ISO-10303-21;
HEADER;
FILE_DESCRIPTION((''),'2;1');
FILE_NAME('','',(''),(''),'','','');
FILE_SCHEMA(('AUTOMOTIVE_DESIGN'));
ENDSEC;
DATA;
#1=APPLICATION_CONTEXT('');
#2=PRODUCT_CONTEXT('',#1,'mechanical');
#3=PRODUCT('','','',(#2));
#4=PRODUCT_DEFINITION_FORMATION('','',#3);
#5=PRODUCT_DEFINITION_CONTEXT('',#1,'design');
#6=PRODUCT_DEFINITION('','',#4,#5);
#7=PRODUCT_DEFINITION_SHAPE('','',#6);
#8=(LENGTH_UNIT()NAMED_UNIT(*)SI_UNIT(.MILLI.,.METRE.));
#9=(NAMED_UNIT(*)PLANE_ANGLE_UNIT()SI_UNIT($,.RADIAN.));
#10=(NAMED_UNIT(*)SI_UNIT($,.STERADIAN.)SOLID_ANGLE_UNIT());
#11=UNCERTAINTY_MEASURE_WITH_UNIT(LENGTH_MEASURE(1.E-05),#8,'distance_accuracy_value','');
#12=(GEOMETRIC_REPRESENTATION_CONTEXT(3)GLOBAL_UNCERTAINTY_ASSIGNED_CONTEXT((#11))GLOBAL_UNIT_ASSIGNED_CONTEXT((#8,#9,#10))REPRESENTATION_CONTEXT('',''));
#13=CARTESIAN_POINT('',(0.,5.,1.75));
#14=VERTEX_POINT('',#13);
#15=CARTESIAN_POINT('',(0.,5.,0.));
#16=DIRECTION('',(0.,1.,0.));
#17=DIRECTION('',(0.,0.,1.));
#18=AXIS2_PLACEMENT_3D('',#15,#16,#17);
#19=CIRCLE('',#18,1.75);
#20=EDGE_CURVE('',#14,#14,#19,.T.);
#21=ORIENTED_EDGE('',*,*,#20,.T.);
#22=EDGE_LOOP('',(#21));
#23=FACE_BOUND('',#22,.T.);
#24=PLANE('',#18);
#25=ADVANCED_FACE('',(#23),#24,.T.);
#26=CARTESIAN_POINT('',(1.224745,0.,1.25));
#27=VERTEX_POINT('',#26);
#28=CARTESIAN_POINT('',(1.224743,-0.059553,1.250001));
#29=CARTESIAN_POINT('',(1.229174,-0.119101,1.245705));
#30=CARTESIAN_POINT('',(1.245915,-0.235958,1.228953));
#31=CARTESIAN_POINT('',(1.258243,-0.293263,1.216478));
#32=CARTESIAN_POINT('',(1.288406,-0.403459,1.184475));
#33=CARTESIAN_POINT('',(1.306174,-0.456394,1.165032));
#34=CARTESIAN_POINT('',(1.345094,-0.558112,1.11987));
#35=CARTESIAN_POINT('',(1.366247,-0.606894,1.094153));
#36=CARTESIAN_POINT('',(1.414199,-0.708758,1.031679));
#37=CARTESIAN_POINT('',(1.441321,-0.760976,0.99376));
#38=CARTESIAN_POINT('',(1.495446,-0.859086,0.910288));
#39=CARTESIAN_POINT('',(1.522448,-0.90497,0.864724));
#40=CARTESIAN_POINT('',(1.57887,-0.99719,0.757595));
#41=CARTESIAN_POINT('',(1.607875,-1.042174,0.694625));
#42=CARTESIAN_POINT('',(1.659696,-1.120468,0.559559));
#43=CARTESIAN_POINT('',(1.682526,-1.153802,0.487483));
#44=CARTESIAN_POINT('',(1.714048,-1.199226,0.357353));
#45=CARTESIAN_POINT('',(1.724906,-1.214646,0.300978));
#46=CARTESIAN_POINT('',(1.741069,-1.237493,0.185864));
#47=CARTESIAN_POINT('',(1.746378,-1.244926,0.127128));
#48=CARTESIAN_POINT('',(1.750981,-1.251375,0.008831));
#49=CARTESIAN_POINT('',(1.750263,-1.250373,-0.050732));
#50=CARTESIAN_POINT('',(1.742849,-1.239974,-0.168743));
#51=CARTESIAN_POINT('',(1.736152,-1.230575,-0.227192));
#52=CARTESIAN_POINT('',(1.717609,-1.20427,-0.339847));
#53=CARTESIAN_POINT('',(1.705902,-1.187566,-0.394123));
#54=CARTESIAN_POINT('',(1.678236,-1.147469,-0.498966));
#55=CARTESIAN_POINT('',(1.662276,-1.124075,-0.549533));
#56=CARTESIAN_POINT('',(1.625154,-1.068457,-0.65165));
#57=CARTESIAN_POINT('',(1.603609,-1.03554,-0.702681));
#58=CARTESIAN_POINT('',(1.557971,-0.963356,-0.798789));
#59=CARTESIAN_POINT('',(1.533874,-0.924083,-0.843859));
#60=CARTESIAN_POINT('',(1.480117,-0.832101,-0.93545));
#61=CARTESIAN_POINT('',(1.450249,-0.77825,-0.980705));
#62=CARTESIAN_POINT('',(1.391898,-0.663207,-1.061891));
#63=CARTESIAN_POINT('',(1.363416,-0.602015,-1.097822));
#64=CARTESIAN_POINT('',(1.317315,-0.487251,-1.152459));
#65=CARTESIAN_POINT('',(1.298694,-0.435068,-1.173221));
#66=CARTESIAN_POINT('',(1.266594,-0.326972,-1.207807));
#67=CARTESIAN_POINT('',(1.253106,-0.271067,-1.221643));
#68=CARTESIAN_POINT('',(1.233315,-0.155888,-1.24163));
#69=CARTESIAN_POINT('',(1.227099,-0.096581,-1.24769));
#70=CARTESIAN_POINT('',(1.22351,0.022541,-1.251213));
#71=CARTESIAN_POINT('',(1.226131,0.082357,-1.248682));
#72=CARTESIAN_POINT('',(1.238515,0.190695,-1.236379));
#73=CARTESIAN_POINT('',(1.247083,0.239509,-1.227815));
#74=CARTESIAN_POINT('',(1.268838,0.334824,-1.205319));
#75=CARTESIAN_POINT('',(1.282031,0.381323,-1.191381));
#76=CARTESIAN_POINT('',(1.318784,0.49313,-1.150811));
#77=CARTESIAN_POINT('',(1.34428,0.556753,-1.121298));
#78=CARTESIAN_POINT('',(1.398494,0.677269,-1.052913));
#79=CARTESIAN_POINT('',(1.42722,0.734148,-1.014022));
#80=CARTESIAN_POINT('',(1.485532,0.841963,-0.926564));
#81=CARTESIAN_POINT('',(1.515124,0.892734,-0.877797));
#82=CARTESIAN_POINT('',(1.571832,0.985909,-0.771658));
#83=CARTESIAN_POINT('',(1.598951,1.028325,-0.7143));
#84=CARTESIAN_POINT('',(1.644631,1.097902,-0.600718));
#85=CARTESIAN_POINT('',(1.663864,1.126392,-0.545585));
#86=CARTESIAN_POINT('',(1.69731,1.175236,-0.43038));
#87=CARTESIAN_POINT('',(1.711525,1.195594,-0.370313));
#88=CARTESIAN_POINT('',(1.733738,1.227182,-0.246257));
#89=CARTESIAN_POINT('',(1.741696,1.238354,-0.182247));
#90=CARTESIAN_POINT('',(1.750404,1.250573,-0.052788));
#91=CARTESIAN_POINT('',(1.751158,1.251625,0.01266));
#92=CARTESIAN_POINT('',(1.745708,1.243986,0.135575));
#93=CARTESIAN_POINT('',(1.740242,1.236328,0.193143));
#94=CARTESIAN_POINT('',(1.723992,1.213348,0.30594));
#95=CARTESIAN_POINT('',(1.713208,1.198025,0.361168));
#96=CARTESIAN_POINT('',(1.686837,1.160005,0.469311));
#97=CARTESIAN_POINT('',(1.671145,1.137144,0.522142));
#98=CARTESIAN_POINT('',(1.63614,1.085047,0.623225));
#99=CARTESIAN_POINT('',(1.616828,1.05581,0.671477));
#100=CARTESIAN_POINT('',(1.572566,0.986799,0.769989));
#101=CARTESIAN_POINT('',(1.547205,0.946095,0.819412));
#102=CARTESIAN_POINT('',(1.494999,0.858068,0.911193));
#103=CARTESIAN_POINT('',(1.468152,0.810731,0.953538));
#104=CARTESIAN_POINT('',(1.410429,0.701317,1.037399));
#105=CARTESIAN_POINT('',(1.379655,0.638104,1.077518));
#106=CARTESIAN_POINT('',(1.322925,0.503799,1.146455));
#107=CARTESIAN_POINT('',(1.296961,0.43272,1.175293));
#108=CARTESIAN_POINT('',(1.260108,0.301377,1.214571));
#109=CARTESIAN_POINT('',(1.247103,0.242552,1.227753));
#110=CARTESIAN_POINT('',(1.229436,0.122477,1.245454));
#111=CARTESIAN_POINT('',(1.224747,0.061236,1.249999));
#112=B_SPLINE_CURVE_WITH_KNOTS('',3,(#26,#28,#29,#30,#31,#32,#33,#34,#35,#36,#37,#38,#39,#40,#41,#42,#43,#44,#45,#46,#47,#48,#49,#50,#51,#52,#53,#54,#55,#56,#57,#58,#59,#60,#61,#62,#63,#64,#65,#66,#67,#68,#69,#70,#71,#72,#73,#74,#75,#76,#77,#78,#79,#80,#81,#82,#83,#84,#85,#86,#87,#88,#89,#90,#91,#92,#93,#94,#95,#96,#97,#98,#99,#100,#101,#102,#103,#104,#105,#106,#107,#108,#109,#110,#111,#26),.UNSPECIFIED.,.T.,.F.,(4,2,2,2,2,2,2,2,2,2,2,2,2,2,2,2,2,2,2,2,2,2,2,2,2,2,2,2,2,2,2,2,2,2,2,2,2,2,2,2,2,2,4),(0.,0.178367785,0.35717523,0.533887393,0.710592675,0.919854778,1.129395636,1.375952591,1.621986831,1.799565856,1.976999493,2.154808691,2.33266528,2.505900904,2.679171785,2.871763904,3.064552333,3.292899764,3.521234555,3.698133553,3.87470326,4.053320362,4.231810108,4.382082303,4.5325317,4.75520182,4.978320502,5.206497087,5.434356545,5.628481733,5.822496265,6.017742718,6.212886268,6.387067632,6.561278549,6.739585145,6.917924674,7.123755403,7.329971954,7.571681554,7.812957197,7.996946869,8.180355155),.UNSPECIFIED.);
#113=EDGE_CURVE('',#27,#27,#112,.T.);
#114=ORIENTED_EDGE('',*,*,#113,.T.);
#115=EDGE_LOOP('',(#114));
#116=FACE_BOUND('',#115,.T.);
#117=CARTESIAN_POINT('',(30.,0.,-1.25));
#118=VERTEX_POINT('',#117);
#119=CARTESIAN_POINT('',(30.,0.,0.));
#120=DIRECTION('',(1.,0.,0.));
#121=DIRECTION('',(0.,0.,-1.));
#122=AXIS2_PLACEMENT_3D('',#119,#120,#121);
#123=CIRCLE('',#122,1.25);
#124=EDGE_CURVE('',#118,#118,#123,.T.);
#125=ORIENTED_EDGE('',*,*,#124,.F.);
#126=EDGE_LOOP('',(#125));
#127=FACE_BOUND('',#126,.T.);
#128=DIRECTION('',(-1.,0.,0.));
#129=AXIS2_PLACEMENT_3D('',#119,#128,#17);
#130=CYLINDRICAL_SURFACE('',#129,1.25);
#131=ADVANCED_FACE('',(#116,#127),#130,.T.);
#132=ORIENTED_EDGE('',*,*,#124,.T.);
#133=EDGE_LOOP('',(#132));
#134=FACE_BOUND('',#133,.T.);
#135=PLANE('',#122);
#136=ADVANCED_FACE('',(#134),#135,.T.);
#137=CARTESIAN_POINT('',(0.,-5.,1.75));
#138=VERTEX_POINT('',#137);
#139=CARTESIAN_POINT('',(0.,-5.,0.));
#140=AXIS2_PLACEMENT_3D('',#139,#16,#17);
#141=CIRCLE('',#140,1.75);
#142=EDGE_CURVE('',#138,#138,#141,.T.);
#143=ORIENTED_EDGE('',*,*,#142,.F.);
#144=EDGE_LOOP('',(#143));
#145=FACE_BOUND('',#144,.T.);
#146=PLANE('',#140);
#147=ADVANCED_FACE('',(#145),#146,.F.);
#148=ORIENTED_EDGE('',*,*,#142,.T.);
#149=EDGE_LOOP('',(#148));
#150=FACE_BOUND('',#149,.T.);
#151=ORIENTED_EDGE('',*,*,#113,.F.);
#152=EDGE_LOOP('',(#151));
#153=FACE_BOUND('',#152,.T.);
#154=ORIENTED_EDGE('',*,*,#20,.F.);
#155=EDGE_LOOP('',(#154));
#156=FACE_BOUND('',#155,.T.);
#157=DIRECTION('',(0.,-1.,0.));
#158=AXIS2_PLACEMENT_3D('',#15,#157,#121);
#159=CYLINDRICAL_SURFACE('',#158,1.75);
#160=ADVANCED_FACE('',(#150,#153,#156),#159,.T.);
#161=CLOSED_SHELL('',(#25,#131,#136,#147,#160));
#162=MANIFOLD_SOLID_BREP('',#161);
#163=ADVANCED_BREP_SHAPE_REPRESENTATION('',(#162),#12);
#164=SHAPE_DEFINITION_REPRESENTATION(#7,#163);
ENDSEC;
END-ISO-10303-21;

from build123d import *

# Parameters (mm, degrees)
SKETCH3_R           = 1.75
BOSS_EXTRUDE1_DEPTH = 5
SKETCH4_R           = 1.25
BOSS_EXTRUDE2_DEPTH = 30


with BuildPart() as part:
    # Sketch3 → Boss-Extrude1 (new, symmetric)
    with BuildSketch(Plane(origin=(0, 0, 0), x_dir=(1, 0, 0), z_dir=(0, 1, 0))):
        with Locations(Location((0, 0, 0), (0, 0, 270))):
            Circle(SKETCH3_R)
    extrude(amount=BOSS_EXTRUDE1_DEPTH, both=True)

    # Sketch4 → Boss-Extrude2 (add)
    with BuildSketch(Plane(origin=(0, 0, 0), x_dir=(0, 0, -1), z_dir=(1, 0, 0))):
        with Locations(Location((0, 0, 0), (0, 0, 180))):
            Circle(SKETCH4_R)
    extrude(amount=BOSS_EXTRUDE2_DEPTH)


solid = part.part
